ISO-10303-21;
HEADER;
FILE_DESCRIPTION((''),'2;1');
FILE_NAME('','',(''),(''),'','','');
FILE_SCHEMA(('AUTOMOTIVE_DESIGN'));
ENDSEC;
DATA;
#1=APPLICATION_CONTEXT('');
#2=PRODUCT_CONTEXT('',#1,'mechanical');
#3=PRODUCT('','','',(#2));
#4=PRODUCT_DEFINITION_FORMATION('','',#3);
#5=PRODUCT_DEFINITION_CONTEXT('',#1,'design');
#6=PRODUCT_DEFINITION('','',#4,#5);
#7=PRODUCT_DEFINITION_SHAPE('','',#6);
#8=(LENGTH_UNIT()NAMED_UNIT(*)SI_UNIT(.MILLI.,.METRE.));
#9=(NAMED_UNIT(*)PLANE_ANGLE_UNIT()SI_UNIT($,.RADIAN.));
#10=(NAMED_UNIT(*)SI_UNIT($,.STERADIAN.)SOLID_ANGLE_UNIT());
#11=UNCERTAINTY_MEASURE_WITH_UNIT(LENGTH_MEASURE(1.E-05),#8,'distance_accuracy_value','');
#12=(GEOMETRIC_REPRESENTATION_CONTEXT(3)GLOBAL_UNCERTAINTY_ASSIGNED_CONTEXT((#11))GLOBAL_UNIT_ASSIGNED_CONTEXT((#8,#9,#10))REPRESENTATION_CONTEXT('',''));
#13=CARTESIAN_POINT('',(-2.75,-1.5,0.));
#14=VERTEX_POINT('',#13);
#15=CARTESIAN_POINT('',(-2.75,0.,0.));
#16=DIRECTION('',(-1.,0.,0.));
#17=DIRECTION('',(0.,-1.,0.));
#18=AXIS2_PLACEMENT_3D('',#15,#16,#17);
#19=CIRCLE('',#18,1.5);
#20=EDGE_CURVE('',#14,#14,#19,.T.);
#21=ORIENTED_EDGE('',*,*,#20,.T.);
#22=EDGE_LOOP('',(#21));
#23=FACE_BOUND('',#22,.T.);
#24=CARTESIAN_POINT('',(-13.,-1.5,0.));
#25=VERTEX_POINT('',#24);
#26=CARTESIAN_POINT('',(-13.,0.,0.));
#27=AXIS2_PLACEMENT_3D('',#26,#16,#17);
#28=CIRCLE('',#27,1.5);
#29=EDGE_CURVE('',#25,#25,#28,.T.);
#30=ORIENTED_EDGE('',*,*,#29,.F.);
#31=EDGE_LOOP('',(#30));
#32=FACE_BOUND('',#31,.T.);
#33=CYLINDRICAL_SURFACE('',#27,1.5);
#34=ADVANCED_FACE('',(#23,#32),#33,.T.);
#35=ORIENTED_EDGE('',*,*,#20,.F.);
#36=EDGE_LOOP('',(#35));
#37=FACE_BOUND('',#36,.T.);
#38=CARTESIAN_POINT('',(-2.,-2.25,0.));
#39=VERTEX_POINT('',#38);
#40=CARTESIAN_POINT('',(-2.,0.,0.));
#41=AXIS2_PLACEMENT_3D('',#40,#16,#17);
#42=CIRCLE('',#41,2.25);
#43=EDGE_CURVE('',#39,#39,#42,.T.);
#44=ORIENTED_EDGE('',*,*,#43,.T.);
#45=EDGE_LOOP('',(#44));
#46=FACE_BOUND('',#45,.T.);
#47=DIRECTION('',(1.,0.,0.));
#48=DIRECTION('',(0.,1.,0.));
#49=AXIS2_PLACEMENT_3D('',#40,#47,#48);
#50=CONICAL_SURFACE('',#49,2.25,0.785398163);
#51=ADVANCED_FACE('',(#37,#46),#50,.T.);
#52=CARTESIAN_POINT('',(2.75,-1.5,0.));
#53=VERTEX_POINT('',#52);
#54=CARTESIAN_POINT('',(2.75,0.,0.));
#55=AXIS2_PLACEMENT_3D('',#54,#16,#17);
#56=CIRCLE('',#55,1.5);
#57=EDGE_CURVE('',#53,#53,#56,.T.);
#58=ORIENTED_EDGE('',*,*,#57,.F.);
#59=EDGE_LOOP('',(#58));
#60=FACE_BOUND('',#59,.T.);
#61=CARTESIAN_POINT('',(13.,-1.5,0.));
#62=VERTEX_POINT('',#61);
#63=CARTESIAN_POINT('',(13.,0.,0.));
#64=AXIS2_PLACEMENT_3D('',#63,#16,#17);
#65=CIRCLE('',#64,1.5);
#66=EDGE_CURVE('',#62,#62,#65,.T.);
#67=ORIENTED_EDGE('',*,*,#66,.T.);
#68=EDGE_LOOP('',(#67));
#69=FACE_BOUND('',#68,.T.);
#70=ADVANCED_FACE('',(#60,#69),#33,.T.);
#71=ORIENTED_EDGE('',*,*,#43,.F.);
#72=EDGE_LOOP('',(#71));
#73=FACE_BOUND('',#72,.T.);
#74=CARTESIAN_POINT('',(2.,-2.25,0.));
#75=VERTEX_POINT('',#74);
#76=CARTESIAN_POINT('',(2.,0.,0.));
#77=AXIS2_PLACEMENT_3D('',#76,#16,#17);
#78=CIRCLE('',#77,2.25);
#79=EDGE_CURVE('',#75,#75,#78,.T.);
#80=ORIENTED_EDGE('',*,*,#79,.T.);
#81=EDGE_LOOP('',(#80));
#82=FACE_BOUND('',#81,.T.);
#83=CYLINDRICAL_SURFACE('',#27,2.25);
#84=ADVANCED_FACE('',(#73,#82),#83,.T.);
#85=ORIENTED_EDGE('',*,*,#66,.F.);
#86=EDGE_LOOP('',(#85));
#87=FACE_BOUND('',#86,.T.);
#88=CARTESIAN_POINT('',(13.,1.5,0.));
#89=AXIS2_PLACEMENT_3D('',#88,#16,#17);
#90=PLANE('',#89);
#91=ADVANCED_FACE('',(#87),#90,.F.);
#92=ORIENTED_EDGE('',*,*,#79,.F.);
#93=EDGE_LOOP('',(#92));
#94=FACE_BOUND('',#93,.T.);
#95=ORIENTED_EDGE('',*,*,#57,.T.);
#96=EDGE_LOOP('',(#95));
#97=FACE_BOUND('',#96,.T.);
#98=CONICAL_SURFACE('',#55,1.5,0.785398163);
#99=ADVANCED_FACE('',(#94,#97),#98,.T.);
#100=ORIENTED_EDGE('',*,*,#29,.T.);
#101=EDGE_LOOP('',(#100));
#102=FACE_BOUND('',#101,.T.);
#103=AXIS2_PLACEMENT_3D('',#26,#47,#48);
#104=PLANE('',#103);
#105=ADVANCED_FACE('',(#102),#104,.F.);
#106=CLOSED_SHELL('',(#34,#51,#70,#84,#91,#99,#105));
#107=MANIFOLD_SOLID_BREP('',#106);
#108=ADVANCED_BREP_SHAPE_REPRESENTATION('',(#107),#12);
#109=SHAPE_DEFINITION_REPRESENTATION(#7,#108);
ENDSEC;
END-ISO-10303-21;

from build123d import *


with BuildPart() as part:
    # Sketch1 → Revolve1 (revolve)
    with BuildSketch(Plane.XY, mode=Mode.PRIVATE) as revolve1_sk:
        Polygon((-13, 0), (-13, 1.5), (-2.75, 1.5), (-2, 2.25), (2, 2.25), (2.75, 1.5), (13, 1.5), (13, 0), align=None)
    revolve(revolve1_sk.sketch.rotate(Axis((-13, 0, 0), (1, 0, 0)), 180), axis=Axis((-13, 0, 0), (1, 0, 0)))


solid = part.part
